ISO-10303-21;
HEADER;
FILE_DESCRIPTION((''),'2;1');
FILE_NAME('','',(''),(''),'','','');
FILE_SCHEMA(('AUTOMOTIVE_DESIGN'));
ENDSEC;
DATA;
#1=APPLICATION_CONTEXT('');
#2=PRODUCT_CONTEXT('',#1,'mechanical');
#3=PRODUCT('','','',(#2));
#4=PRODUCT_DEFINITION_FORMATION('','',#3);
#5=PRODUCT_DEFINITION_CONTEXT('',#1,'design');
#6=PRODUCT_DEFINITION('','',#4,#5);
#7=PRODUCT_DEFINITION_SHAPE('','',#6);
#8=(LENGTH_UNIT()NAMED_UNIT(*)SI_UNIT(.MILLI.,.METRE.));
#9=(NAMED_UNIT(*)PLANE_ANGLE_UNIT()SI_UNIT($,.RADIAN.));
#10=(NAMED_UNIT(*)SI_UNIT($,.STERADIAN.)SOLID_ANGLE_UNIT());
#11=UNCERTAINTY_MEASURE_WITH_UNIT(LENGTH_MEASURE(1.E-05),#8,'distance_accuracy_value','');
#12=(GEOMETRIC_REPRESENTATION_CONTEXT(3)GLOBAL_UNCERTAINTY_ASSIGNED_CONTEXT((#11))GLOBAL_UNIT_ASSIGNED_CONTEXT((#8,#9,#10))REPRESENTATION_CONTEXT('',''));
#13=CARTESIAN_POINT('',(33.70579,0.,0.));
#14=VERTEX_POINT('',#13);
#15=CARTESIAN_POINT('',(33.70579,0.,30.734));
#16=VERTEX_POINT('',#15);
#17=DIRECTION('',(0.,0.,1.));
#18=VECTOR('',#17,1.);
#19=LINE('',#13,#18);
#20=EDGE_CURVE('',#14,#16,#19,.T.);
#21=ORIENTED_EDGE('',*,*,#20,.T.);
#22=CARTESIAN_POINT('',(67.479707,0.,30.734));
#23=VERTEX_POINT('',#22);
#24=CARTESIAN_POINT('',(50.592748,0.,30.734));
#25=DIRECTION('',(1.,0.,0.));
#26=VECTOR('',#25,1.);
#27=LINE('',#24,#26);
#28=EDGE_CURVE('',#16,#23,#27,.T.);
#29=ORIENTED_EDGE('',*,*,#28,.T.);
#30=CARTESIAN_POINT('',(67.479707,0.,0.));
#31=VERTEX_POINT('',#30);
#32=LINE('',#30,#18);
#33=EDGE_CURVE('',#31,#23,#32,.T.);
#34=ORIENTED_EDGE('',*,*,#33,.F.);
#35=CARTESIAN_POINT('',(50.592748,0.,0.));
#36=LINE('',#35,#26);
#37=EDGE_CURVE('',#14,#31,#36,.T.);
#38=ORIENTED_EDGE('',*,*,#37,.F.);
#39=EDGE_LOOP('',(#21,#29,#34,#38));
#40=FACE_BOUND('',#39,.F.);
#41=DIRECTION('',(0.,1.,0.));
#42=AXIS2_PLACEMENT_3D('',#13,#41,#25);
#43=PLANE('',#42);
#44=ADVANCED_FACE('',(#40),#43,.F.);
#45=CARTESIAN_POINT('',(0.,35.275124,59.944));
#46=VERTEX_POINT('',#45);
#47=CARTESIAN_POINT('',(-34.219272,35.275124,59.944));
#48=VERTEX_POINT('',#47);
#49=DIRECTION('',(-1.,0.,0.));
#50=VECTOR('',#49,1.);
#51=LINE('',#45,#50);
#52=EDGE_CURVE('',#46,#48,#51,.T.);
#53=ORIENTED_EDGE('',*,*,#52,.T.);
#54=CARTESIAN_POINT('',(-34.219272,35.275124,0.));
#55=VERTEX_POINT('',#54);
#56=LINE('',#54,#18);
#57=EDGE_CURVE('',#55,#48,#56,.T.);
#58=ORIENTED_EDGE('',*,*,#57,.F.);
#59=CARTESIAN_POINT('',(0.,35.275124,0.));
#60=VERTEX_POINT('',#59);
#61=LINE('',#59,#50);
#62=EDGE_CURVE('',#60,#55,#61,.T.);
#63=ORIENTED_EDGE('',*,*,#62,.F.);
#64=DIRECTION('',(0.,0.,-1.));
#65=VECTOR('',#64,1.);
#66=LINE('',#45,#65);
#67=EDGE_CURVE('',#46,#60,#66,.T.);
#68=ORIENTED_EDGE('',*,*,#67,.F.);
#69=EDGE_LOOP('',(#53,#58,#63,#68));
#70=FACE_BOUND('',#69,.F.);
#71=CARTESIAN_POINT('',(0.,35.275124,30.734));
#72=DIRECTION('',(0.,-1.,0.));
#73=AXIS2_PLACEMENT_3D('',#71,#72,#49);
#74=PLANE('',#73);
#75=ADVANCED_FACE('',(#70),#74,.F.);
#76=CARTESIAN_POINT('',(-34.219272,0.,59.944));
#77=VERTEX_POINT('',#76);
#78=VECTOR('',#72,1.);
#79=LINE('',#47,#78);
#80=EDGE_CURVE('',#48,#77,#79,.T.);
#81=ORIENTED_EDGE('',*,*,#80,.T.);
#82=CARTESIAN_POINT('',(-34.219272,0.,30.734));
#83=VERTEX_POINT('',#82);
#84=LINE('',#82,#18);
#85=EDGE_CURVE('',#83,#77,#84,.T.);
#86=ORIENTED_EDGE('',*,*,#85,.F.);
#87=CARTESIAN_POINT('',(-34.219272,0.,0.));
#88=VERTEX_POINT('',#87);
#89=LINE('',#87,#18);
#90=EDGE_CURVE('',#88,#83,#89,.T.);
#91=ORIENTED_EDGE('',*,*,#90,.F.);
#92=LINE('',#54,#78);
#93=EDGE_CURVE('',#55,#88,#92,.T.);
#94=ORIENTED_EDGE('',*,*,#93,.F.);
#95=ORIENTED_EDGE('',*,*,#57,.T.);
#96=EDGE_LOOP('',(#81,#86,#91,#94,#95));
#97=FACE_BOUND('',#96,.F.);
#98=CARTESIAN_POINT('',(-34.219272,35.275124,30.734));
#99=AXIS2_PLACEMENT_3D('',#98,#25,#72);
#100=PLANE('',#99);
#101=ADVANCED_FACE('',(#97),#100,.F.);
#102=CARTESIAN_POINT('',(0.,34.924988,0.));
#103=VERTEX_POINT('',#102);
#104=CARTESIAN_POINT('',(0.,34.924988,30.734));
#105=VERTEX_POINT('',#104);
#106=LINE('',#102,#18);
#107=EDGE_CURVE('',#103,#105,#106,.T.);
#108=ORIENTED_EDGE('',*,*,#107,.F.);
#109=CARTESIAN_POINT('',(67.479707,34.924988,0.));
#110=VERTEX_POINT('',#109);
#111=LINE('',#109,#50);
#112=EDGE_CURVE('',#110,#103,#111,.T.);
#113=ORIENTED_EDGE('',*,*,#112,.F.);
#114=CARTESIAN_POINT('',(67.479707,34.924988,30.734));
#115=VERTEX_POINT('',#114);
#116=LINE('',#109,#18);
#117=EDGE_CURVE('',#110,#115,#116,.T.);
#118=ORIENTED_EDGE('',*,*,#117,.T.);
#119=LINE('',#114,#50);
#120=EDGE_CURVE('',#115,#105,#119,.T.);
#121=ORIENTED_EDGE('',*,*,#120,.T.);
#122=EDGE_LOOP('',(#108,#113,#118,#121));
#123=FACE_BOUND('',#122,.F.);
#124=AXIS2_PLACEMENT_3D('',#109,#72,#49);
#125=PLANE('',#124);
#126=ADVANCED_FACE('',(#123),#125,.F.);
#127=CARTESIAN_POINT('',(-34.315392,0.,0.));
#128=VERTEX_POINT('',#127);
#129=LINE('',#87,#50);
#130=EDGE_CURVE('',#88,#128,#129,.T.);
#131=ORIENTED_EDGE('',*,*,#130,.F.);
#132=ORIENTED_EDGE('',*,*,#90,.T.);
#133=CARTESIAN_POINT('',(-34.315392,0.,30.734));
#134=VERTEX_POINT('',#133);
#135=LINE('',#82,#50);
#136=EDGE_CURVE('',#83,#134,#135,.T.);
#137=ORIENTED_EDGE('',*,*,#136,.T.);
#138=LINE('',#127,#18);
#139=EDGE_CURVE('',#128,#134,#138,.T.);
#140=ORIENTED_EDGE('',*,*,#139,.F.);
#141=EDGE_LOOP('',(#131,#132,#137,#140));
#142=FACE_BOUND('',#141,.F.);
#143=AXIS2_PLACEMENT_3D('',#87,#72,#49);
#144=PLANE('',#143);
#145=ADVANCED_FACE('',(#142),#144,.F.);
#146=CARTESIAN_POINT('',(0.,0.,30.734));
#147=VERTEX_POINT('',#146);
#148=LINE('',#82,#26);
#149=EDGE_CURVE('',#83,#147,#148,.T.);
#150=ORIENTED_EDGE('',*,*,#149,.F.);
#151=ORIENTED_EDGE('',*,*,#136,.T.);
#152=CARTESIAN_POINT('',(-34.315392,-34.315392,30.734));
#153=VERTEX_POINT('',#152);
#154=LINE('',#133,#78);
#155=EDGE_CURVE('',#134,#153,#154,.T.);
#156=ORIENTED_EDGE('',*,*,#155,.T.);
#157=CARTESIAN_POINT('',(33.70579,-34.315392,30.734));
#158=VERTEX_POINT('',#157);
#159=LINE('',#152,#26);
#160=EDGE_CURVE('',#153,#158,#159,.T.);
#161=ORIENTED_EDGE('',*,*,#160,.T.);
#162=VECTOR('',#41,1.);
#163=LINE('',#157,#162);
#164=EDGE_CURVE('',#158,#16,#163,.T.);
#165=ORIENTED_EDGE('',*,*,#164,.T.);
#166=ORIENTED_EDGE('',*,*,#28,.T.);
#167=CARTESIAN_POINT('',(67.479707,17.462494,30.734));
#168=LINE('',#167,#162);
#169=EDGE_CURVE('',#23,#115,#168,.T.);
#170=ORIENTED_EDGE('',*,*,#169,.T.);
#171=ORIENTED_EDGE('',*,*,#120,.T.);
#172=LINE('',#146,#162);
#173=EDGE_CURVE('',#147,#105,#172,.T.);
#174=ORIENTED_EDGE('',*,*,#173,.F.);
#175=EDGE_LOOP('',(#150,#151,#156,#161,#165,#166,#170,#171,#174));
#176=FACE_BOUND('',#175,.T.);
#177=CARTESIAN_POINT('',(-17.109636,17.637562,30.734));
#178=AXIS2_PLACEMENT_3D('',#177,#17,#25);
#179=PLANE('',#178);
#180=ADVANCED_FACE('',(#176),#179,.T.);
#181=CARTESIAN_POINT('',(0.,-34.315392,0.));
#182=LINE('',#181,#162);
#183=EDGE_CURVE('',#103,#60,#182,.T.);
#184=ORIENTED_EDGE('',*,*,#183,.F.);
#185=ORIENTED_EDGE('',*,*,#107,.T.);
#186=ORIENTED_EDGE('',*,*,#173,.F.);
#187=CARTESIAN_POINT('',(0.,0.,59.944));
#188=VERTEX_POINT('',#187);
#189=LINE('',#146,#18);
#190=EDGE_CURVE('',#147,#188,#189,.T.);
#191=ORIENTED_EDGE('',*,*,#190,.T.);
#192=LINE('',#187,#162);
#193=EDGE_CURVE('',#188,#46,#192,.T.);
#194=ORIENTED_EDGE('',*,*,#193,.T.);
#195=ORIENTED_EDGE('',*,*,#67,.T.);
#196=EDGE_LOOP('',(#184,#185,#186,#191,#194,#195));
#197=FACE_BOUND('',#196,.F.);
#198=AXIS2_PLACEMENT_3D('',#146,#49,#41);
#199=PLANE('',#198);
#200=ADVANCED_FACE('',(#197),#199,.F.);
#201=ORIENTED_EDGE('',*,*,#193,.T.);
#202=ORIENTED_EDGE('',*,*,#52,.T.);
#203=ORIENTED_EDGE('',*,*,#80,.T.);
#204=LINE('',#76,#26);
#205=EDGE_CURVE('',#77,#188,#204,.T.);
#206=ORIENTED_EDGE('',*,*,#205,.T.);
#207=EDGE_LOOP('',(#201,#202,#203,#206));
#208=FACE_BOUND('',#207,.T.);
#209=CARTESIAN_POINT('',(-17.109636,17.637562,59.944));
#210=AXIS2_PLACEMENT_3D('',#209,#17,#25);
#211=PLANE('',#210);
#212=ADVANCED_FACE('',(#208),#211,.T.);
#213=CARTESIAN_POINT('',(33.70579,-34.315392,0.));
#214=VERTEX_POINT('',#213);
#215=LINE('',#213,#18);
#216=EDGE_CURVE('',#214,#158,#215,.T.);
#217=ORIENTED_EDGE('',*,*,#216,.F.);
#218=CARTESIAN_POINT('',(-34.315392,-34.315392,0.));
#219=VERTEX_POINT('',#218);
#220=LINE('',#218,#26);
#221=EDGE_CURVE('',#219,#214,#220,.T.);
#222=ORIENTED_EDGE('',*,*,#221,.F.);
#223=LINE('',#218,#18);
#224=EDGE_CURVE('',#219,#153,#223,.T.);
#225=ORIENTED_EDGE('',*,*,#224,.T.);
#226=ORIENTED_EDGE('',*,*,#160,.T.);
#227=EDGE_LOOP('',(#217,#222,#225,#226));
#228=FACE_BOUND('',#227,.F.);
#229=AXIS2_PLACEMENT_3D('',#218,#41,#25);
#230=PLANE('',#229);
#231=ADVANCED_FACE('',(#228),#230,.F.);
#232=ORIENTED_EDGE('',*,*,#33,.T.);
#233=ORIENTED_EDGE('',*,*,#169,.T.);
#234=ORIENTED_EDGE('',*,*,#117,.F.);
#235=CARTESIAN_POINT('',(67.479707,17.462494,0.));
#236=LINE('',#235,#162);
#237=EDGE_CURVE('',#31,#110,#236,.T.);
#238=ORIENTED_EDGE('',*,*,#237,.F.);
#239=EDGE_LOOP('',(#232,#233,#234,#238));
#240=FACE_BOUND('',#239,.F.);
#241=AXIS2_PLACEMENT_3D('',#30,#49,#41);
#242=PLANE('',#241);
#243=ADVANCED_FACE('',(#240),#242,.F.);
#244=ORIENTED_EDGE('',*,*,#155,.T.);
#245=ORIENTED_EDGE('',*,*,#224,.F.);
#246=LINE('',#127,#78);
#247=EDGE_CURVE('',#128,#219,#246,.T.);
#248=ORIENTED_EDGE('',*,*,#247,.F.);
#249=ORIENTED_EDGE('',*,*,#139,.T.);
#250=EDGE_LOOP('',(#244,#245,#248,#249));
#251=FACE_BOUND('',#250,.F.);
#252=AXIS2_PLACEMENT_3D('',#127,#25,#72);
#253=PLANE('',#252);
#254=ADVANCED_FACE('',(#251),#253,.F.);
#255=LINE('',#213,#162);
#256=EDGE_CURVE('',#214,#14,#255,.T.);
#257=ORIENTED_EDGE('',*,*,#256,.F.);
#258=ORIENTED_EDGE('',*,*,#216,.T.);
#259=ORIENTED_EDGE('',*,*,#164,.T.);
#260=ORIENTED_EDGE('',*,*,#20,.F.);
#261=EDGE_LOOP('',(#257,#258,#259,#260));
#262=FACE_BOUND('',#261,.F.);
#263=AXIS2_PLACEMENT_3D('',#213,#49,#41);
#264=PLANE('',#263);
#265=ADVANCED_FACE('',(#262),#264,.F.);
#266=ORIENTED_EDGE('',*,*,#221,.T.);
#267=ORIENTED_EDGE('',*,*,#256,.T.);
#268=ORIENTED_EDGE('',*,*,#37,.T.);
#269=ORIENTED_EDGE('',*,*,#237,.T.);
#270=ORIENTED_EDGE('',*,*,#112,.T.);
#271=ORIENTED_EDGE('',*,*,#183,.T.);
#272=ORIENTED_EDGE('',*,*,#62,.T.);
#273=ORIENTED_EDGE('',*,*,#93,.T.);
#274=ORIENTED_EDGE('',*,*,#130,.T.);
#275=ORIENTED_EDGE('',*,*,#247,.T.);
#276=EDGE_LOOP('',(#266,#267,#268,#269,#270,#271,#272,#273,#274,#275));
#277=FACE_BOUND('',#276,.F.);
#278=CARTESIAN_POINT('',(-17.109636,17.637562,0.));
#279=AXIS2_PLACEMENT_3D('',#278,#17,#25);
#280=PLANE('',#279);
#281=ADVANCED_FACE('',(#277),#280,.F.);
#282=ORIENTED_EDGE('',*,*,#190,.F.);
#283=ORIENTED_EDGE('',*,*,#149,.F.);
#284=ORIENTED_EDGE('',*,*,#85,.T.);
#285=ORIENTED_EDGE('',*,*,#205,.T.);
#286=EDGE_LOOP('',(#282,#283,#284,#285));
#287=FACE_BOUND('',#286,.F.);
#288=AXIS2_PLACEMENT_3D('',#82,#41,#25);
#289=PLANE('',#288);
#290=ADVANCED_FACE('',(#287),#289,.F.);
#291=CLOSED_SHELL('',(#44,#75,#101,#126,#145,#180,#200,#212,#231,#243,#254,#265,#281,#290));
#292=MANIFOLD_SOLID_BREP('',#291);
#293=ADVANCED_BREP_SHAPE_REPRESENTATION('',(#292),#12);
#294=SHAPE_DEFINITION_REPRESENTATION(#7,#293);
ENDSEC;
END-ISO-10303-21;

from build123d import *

# Parameters (mm, degrees)
F0_W     = 45.4592518508
F0_H     = 59.5056191087
F0_W_2   = 45.7147136331
F0_H_2   = 116.1159910262
F1_DEPTH = 38.608
F2_W     = 45.6728860736
F2_H     = 59.5056191087
F3_DEPTH = 35.306
F5_W     = 33.7057895958
F5_H     = 34.315392375
F5_H_2   = 34.9249877036
F5_W_2   = 33.7739177048
F6_DEPTH = 30.734
F8_DEPTH = 29.21


with BuildPart() as f1:
    # F0 (on Top) → F1 (new body)
    with BuildSketch(Plane.XY):
        Polygon((-27.5232736021, 56.6103719175), (-77.1979466081, 56.6103719175), (-77.1979466081, -59.5056191087), (-27.5232736021, -59.5056191087), (-27.5232736021, 0), align=None)
        with Locations((-4.7936476767, -29.7528095543)):
            Rectangle(F0_W, F0_H)
        with Locations((-100.0553034246, -1.4476235956)):
            Rectangle(F0_W_2, F0_H_2)
    extrude(amount=F1_DEPTH)

    # F2 (on face) → F3 (join)
    with BuildSketch(Plane.XY.offset(38.608)):
        with Locations((-100.0762172043, -29.7528095543)):
            Rectangle(F2_W, F2_H)
    extrude(amount=F3_DEPTH)


with BuildPart() as f6:
    # F5 (on Top) → F6 (new body)
    with BuildSketch(Plane.XY):
        Polygon((-34.2192724347, 0), (0, 0), (0, 34.9249877036), (0, 35.2751240134), (-34.2192724347, 35.2751240134), align=None)
        Polygon((0, -34.315392375), (0, 0), (-34.2192724347, 0), (-34.315392375, 0), (-34.315392375, -34.315392375), align=None)
        with Locations((16.8528947979, -17.1576961875)):
            Rectangle(F5_W, F5_H)
        with Locations((16.8528947979, 17.4624938518)):
            Rectangle(F5_W, F5_H_2)
        with Locations((50.5927484483, 17.4624938518)):
            Rectangle(F5_W_2, F5_H_2)
    extrude(amount=F6_DEPTH)

    # F7 (on face) → F8 (join)
    with BuildSketch(Plane.XY.offset(30.734)):
        Polygon((0, 35.2751240134), (-34.2192724347, 35.2751240134), (-34.2192724347, 0), (0, 0), (0, 34.9249877036), align=None)
    extrude(amount=F8_DEPTH)


solid = f6.part
